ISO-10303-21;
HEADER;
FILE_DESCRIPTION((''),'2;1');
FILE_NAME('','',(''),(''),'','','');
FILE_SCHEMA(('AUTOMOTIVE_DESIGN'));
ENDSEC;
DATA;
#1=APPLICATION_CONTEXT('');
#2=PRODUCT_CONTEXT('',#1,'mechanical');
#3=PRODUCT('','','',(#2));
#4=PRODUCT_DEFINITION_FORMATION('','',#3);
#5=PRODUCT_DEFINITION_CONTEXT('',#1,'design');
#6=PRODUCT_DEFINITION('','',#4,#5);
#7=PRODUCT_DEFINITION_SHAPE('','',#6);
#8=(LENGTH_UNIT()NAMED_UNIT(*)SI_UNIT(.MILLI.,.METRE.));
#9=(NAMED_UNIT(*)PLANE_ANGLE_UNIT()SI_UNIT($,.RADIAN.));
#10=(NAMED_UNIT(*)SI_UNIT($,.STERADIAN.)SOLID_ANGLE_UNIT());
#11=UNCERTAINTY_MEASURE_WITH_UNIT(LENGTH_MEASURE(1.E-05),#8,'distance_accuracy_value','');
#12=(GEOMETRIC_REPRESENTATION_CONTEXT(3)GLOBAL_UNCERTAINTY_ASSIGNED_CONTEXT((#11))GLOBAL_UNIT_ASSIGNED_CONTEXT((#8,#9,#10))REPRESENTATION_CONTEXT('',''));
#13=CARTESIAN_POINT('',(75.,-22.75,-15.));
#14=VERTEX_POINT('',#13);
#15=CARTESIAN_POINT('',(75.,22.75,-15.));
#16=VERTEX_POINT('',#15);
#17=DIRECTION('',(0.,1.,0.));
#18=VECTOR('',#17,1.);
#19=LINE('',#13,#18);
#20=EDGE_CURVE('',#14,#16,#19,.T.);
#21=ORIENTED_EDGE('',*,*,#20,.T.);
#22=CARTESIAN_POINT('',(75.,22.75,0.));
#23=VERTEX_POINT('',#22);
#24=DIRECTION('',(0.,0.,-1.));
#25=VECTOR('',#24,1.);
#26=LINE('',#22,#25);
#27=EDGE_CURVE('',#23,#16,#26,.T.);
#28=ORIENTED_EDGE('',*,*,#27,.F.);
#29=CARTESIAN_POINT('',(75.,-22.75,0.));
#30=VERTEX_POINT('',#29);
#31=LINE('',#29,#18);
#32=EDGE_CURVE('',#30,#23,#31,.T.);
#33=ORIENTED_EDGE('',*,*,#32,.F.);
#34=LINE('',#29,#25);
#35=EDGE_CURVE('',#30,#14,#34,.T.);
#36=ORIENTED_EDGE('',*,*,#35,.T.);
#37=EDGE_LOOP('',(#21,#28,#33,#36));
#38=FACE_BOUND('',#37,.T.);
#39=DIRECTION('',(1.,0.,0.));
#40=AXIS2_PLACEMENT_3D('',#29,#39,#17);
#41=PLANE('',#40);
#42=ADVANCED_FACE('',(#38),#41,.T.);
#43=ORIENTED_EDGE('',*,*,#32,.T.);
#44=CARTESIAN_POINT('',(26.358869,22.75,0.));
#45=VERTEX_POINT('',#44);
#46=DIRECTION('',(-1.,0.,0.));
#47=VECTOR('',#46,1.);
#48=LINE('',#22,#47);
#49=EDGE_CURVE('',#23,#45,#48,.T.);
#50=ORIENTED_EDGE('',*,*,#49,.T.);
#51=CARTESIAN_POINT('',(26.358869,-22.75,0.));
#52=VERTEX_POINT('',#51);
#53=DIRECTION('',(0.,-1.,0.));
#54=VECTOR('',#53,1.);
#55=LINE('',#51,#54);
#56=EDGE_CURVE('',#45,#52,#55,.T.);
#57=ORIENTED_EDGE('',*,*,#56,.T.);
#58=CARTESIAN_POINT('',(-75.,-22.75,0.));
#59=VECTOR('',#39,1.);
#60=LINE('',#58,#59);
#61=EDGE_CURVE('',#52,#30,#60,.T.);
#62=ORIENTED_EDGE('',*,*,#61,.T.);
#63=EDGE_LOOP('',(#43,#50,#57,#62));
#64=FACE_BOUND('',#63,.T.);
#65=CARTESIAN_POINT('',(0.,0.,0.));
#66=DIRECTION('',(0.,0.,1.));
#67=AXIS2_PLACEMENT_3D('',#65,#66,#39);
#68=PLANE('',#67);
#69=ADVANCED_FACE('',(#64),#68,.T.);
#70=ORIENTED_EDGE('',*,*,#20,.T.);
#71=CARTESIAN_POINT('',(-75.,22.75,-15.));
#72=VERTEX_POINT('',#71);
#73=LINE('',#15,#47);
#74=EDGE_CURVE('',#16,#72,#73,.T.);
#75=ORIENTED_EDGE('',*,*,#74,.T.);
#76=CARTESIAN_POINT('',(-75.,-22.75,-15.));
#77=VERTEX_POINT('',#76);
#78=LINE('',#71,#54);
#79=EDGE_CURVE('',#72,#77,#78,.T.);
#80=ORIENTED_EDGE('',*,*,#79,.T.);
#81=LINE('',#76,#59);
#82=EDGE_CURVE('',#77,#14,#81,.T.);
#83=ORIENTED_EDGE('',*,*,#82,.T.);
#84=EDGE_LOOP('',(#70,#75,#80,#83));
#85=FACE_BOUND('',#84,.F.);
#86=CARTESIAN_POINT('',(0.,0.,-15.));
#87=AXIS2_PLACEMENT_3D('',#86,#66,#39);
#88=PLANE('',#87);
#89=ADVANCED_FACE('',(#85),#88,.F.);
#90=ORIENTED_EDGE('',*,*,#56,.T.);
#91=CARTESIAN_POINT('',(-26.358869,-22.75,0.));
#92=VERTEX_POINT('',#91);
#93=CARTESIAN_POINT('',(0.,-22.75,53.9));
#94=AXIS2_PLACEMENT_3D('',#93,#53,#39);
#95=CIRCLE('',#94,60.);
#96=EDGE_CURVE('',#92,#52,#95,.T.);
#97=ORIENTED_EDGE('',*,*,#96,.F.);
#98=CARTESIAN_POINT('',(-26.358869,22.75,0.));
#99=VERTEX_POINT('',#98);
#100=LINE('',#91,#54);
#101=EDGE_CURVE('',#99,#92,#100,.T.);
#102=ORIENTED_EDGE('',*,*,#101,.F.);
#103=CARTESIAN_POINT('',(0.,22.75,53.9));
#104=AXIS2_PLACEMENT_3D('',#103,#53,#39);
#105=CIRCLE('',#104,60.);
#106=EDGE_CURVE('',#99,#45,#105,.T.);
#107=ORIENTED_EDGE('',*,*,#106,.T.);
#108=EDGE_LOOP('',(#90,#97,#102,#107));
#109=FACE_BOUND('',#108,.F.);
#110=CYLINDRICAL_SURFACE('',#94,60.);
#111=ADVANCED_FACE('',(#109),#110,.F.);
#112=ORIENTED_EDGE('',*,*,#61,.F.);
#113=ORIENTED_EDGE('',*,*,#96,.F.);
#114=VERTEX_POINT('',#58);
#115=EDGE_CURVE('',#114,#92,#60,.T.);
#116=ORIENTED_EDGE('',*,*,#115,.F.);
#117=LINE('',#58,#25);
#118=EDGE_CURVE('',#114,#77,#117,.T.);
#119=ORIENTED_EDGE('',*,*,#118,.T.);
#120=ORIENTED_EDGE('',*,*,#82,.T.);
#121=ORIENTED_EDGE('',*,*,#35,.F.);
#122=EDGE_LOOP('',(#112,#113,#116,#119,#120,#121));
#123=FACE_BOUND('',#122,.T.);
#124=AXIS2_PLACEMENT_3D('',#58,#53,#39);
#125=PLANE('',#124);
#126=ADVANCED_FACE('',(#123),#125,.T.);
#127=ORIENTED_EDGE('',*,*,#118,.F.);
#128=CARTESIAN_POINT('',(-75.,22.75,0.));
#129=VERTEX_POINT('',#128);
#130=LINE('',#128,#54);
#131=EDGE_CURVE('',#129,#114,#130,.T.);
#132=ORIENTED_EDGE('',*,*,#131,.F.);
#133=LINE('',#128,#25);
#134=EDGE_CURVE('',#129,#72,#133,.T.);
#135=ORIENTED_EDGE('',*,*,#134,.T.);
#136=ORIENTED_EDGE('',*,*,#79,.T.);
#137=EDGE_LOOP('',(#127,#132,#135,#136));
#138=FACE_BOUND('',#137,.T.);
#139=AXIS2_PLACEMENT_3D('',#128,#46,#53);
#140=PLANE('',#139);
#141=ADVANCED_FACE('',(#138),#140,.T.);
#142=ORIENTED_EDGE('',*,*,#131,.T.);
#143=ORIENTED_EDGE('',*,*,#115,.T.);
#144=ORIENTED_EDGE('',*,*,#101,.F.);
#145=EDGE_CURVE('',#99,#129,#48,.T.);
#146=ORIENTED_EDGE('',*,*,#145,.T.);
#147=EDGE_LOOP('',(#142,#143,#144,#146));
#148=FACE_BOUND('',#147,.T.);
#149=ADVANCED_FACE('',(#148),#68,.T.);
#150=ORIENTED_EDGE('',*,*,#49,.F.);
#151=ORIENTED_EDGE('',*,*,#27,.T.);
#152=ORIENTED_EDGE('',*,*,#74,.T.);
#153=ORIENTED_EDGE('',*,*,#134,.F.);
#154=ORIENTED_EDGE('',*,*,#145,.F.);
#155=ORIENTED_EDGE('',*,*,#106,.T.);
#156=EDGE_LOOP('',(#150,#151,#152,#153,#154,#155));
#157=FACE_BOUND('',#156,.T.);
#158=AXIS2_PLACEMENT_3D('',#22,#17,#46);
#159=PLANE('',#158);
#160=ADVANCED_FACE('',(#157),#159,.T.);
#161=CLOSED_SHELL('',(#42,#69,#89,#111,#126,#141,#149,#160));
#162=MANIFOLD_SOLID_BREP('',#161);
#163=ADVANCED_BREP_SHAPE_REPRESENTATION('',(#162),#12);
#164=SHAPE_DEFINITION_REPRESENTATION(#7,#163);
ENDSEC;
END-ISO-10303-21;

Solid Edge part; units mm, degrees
sketch "Sketch1" plane through (0, 0, 0) normal (0, 0, 1) x (1, 0, 0)
  line L0 (-75, -22.75) -> (75, -22.75)
  line L1 (75, -22.75) -> (75, 22.75)
  line L2 (75, 22.75) -> (-75, 22.75)
  line L3 (-75, 22.75) -> (-75, -22.75)
extrude "Protrusion1" add sketch "Sketch1" against normal blind 15
sketch "Sketch2" plane through (0, -22.75, -7.5) normal (0, -1, 0) x (1, 0, 0)
  circle A0 centre (0, 61.4) radius 60
extrude "Recorte_Extrudado_2" cut sketch "Sketch2" against normal blind 46
